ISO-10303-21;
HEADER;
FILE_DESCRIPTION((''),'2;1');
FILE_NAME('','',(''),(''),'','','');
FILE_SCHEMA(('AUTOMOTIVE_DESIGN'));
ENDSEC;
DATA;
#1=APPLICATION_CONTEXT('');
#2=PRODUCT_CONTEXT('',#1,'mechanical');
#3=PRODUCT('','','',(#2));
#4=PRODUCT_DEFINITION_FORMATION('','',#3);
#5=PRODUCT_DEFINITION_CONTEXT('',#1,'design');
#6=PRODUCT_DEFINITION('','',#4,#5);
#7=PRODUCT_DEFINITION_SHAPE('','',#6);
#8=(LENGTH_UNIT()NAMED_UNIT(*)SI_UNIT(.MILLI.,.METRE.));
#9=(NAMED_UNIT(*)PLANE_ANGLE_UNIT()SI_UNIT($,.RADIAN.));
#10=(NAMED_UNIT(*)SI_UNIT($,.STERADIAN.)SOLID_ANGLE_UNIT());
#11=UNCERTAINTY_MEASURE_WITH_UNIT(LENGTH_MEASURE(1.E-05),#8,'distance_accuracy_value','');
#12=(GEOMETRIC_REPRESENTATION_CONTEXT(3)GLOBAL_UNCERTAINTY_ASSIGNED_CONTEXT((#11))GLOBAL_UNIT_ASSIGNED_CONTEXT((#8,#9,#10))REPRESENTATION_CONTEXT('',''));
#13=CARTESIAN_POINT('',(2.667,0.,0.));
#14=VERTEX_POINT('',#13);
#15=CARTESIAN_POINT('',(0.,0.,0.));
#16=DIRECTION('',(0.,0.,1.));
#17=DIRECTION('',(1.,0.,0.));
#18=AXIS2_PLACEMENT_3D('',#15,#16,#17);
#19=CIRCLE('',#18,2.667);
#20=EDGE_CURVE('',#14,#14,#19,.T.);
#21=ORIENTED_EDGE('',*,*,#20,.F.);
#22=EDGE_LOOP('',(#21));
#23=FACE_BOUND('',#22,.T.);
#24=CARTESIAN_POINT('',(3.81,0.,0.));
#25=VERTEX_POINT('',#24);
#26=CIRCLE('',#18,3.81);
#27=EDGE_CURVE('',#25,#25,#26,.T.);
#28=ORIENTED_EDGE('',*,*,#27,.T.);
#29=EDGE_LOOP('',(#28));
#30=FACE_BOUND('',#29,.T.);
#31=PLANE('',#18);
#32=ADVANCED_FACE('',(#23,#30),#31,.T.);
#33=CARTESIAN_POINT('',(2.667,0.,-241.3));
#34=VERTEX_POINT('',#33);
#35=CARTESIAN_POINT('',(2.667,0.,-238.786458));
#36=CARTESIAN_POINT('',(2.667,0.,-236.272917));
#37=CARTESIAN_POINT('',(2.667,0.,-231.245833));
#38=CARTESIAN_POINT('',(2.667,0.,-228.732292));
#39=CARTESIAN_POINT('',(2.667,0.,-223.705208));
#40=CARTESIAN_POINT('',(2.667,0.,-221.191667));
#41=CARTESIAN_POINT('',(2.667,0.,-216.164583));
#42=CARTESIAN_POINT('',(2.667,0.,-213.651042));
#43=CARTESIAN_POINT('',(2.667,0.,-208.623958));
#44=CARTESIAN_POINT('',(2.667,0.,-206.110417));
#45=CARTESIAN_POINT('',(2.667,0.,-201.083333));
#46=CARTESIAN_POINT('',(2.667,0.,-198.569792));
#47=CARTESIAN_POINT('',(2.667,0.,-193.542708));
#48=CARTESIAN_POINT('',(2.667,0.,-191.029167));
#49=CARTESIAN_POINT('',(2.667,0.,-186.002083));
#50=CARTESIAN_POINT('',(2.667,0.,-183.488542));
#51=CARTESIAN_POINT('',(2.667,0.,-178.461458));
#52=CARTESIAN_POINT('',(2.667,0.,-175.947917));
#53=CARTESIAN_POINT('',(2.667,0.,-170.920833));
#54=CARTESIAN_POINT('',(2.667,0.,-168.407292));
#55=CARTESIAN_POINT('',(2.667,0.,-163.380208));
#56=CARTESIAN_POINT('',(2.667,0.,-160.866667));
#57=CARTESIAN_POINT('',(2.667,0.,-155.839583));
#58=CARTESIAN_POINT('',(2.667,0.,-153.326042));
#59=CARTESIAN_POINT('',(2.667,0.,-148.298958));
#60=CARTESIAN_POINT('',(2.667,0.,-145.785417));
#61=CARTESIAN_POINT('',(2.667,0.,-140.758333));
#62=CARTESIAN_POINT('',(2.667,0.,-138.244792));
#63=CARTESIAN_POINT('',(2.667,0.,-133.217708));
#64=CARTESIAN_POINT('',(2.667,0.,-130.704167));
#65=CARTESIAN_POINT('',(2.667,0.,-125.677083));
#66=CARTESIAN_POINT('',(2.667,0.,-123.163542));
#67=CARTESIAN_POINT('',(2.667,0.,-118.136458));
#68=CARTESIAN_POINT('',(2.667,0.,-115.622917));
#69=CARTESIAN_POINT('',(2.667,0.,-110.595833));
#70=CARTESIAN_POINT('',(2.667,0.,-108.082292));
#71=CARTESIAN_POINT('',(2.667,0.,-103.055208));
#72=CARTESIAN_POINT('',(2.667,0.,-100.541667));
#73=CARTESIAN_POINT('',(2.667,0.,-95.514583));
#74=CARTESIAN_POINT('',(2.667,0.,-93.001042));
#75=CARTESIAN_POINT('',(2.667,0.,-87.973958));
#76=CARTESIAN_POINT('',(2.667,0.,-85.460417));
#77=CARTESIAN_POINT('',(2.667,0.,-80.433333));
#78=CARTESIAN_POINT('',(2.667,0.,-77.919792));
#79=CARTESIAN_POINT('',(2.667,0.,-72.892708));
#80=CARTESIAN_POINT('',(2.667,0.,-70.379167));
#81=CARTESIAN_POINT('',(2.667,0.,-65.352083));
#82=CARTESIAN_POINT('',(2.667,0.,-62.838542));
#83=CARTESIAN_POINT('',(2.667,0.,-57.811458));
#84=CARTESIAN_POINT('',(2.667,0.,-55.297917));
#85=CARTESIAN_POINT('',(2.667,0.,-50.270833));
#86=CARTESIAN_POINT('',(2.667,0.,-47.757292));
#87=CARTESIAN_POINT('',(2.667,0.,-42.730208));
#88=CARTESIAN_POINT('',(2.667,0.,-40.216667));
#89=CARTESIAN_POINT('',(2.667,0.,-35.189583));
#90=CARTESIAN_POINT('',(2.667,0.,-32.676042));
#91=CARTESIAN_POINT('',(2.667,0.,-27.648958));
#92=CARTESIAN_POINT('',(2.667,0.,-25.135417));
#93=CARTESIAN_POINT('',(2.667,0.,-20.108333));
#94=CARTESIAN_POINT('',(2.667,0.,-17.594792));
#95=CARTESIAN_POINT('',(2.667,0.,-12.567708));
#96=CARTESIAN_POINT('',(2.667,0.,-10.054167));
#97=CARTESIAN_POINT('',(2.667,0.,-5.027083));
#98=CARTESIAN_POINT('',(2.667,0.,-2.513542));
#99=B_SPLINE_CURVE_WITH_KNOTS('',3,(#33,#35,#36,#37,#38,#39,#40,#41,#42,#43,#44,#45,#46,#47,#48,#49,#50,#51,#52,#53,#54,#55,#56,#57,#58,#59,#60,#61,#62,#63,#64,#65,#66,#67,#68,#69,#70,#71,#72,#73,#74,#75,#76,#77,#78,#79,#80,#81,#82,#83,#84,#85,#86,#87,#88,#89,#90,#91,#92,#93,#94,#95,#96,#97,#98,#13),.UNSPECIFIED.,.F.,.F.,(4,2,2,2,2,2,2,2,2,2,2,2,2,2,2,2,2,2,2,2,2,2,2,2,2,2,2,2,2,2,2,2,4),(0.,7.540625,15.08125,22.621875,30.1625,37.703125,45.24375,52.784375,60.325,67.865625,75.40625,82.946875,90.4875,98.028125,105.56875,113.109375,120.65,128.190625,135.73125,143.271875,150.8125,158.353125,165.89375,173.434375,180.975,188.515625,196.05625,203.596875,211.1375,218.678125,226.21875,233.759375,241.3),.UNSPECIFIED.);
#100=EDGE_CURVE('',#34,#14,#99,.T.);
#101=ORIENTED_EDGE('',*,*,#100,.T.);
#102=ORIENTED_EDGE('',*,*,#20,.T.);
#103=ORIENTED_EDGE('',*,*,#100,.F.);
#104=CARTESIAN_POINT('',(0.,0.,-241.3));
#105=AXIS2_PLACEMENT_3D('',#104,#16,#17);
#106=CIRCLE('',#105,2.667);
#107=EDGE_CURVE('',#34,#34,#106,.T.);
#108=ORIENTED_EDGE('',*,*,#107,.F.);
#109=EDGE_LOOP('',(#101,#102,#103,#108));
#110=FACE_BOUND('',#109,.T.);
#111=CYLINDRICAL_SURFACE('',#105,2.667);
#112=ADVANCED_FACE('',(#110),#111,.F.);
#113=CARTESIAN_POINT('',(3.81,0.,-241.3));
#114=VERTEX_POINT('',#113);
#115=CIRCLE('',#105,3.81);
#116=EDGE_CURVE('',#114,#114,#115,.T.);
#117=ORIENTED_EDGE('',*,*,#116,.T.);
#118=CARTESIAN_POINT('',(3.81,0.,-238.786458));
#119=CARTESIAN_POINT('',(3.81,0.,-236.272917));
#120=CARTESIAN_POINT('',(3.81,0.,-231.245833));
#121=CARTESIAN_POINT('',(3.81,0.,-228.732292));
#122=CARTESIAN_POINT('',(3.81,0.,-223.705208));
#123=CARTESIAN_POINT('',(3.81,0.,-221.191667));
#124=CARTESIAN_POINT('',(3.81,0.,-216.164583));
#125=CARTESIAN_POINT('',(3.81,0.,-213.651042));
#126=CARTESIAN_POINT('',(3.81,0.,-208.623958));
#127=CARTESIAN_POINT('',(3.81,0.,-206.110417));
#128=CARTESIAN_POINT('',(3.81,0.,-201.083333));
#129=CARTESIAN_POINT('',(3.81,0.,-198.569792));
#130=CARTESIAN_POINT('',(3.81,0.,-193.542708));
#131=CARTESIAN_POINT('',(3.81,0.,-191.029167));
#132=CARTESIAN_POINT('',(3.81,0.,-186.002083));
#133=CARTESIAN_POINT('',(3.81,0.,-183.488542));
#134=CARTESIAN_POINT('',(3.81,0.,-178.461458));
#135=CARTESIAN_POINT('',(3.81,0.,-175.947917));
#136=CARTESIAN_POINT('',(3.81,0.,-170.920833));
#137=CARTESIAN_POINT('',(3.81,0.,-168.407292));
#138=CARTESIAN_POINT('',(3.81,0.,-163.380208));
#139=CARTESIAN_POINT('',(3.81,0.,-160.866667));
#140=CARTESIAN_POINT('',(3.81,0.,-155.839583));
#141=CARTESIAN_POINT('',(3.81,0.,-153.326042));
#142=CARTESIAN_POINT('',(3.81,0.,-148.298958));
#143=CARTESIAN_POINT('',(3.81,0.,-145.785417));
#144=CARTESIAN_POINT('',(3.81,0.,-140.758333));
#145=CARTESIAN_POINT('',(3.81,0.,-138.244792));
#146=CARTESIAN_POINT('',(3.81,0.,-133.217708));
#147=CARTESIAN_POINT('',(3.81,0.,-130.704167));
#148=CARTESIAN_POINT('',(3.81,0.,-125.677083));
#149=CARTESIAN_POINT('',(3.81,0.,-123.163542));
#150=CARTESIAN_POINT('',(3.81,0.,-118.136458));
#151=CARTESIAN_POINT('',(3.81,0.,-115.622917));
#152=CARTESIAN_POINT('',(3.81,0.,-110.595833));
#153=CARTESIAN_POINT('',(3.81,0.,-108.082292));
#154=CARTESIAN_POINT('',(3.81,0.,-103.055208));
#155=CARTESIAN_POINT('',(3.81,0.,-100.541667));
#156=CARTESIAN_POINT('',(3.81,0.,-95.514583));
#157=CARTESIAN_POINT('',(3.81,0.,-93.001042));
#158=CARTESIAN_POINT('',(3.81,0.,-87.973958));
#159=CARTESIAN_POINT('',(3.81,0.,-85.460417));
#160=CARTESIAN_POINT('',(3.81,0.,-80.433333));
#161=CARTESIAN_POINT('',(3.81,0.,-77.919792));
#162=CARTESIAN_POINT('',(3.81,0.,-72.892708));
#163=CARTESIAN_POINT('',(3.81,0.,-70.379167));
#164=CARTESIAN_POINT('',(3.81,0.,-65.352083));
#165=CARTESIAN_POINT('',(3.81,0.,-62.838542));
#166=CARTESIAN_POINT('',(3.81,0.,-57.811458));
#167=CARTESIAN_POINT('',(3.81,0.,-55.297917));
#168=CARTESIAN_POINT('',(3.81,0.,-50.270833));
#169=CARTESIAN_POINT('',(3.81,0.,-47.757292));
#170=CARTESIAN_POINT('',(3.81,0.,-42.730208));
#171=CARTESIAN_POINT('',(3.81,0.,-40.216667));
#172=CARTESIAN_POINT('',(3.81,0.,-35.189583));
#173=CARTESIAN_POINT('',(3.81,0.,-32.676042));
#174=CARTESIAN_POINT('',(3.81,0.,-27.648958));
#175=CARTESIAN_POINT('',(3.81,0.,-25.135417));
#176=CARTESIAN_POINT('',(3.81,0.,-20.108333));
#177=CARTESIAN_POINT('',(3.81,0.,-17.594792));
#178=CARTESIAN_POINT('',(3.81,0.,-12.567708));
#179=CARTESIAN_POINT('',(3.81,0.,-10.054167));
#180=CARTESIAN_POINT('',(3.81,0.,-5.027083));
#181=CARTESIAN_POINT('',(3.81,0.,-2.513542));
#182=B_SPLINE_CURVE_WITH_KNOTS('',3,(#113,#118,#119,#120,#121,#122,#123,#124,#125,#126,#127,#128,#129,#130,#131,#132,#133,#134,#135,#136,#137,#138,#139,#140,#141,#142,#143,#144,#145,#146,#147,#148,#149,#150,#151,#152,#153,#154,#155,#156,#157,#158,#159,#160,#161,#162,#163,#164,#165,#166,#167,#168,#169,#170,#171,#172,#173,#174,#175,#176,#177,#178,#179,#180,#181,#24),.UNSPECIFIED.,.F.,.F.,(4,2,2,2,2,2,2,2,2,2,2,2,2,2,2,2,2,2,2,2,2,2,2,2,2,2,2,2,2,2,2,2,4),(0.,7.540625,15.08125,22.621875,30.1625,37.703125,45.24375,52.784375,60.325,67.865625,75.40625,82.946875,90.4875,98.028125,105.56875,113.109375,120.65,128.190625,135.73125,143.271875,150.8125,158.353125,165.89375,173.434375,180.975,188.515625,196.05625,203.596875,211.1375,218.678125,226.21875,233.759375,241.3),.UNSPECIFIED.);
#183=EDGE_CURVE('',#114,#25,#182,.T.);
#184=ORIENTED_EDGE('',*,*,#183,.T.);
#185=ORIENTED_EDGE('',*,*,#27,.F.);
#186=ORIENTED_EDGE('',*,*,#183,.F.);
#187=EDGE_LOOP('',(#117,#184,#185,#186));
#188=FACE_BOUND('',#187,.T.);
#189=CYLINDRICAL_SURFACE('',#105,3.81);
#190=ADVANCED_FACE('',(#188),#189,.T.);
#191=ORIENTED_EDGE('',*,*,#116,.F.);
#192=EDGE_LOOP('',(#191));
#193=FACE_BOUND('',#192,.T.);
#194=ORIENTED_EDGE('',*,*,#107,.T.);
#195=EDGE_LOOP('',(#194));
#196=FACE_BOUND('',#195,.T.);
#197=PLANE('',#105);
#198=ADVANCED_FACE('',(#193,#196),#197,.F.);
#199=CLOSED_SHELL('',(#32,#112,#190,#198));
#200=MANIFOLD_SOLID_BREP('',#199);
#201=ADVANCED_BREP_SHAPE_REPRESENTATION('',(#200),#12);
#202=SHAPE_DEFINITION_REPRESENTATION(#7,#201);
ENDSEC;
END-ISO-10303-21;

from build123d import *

# Parameters (mm, degrees)
SKETCH1_R           = 3.81
BOSS_EXTRUDE1_DEPTH = 241.3
SKETCH2_R           = 2.667
CUT_EXTRUDE1_DEPTH  = 242.360150398


with BuildPart() as part:
    # Sketch1 → Boss-Extrude1 (new body)
    with BuildSketch(Plane.XY):
        Circle(SKETCH1_R)
    extrude(amount=-BOSS_EXTRUDE1_DEPTH)

    # Sketch2 → Cut-Extrude1 (cut, through all)
    with BuildSketch(Plane.XY):
        Circle(SKETCH2_R)
    extrude(amount=-CUT_EXTRUDE1_DEPTH, mode=Mode.SUBTRACT)


solid = part.part
